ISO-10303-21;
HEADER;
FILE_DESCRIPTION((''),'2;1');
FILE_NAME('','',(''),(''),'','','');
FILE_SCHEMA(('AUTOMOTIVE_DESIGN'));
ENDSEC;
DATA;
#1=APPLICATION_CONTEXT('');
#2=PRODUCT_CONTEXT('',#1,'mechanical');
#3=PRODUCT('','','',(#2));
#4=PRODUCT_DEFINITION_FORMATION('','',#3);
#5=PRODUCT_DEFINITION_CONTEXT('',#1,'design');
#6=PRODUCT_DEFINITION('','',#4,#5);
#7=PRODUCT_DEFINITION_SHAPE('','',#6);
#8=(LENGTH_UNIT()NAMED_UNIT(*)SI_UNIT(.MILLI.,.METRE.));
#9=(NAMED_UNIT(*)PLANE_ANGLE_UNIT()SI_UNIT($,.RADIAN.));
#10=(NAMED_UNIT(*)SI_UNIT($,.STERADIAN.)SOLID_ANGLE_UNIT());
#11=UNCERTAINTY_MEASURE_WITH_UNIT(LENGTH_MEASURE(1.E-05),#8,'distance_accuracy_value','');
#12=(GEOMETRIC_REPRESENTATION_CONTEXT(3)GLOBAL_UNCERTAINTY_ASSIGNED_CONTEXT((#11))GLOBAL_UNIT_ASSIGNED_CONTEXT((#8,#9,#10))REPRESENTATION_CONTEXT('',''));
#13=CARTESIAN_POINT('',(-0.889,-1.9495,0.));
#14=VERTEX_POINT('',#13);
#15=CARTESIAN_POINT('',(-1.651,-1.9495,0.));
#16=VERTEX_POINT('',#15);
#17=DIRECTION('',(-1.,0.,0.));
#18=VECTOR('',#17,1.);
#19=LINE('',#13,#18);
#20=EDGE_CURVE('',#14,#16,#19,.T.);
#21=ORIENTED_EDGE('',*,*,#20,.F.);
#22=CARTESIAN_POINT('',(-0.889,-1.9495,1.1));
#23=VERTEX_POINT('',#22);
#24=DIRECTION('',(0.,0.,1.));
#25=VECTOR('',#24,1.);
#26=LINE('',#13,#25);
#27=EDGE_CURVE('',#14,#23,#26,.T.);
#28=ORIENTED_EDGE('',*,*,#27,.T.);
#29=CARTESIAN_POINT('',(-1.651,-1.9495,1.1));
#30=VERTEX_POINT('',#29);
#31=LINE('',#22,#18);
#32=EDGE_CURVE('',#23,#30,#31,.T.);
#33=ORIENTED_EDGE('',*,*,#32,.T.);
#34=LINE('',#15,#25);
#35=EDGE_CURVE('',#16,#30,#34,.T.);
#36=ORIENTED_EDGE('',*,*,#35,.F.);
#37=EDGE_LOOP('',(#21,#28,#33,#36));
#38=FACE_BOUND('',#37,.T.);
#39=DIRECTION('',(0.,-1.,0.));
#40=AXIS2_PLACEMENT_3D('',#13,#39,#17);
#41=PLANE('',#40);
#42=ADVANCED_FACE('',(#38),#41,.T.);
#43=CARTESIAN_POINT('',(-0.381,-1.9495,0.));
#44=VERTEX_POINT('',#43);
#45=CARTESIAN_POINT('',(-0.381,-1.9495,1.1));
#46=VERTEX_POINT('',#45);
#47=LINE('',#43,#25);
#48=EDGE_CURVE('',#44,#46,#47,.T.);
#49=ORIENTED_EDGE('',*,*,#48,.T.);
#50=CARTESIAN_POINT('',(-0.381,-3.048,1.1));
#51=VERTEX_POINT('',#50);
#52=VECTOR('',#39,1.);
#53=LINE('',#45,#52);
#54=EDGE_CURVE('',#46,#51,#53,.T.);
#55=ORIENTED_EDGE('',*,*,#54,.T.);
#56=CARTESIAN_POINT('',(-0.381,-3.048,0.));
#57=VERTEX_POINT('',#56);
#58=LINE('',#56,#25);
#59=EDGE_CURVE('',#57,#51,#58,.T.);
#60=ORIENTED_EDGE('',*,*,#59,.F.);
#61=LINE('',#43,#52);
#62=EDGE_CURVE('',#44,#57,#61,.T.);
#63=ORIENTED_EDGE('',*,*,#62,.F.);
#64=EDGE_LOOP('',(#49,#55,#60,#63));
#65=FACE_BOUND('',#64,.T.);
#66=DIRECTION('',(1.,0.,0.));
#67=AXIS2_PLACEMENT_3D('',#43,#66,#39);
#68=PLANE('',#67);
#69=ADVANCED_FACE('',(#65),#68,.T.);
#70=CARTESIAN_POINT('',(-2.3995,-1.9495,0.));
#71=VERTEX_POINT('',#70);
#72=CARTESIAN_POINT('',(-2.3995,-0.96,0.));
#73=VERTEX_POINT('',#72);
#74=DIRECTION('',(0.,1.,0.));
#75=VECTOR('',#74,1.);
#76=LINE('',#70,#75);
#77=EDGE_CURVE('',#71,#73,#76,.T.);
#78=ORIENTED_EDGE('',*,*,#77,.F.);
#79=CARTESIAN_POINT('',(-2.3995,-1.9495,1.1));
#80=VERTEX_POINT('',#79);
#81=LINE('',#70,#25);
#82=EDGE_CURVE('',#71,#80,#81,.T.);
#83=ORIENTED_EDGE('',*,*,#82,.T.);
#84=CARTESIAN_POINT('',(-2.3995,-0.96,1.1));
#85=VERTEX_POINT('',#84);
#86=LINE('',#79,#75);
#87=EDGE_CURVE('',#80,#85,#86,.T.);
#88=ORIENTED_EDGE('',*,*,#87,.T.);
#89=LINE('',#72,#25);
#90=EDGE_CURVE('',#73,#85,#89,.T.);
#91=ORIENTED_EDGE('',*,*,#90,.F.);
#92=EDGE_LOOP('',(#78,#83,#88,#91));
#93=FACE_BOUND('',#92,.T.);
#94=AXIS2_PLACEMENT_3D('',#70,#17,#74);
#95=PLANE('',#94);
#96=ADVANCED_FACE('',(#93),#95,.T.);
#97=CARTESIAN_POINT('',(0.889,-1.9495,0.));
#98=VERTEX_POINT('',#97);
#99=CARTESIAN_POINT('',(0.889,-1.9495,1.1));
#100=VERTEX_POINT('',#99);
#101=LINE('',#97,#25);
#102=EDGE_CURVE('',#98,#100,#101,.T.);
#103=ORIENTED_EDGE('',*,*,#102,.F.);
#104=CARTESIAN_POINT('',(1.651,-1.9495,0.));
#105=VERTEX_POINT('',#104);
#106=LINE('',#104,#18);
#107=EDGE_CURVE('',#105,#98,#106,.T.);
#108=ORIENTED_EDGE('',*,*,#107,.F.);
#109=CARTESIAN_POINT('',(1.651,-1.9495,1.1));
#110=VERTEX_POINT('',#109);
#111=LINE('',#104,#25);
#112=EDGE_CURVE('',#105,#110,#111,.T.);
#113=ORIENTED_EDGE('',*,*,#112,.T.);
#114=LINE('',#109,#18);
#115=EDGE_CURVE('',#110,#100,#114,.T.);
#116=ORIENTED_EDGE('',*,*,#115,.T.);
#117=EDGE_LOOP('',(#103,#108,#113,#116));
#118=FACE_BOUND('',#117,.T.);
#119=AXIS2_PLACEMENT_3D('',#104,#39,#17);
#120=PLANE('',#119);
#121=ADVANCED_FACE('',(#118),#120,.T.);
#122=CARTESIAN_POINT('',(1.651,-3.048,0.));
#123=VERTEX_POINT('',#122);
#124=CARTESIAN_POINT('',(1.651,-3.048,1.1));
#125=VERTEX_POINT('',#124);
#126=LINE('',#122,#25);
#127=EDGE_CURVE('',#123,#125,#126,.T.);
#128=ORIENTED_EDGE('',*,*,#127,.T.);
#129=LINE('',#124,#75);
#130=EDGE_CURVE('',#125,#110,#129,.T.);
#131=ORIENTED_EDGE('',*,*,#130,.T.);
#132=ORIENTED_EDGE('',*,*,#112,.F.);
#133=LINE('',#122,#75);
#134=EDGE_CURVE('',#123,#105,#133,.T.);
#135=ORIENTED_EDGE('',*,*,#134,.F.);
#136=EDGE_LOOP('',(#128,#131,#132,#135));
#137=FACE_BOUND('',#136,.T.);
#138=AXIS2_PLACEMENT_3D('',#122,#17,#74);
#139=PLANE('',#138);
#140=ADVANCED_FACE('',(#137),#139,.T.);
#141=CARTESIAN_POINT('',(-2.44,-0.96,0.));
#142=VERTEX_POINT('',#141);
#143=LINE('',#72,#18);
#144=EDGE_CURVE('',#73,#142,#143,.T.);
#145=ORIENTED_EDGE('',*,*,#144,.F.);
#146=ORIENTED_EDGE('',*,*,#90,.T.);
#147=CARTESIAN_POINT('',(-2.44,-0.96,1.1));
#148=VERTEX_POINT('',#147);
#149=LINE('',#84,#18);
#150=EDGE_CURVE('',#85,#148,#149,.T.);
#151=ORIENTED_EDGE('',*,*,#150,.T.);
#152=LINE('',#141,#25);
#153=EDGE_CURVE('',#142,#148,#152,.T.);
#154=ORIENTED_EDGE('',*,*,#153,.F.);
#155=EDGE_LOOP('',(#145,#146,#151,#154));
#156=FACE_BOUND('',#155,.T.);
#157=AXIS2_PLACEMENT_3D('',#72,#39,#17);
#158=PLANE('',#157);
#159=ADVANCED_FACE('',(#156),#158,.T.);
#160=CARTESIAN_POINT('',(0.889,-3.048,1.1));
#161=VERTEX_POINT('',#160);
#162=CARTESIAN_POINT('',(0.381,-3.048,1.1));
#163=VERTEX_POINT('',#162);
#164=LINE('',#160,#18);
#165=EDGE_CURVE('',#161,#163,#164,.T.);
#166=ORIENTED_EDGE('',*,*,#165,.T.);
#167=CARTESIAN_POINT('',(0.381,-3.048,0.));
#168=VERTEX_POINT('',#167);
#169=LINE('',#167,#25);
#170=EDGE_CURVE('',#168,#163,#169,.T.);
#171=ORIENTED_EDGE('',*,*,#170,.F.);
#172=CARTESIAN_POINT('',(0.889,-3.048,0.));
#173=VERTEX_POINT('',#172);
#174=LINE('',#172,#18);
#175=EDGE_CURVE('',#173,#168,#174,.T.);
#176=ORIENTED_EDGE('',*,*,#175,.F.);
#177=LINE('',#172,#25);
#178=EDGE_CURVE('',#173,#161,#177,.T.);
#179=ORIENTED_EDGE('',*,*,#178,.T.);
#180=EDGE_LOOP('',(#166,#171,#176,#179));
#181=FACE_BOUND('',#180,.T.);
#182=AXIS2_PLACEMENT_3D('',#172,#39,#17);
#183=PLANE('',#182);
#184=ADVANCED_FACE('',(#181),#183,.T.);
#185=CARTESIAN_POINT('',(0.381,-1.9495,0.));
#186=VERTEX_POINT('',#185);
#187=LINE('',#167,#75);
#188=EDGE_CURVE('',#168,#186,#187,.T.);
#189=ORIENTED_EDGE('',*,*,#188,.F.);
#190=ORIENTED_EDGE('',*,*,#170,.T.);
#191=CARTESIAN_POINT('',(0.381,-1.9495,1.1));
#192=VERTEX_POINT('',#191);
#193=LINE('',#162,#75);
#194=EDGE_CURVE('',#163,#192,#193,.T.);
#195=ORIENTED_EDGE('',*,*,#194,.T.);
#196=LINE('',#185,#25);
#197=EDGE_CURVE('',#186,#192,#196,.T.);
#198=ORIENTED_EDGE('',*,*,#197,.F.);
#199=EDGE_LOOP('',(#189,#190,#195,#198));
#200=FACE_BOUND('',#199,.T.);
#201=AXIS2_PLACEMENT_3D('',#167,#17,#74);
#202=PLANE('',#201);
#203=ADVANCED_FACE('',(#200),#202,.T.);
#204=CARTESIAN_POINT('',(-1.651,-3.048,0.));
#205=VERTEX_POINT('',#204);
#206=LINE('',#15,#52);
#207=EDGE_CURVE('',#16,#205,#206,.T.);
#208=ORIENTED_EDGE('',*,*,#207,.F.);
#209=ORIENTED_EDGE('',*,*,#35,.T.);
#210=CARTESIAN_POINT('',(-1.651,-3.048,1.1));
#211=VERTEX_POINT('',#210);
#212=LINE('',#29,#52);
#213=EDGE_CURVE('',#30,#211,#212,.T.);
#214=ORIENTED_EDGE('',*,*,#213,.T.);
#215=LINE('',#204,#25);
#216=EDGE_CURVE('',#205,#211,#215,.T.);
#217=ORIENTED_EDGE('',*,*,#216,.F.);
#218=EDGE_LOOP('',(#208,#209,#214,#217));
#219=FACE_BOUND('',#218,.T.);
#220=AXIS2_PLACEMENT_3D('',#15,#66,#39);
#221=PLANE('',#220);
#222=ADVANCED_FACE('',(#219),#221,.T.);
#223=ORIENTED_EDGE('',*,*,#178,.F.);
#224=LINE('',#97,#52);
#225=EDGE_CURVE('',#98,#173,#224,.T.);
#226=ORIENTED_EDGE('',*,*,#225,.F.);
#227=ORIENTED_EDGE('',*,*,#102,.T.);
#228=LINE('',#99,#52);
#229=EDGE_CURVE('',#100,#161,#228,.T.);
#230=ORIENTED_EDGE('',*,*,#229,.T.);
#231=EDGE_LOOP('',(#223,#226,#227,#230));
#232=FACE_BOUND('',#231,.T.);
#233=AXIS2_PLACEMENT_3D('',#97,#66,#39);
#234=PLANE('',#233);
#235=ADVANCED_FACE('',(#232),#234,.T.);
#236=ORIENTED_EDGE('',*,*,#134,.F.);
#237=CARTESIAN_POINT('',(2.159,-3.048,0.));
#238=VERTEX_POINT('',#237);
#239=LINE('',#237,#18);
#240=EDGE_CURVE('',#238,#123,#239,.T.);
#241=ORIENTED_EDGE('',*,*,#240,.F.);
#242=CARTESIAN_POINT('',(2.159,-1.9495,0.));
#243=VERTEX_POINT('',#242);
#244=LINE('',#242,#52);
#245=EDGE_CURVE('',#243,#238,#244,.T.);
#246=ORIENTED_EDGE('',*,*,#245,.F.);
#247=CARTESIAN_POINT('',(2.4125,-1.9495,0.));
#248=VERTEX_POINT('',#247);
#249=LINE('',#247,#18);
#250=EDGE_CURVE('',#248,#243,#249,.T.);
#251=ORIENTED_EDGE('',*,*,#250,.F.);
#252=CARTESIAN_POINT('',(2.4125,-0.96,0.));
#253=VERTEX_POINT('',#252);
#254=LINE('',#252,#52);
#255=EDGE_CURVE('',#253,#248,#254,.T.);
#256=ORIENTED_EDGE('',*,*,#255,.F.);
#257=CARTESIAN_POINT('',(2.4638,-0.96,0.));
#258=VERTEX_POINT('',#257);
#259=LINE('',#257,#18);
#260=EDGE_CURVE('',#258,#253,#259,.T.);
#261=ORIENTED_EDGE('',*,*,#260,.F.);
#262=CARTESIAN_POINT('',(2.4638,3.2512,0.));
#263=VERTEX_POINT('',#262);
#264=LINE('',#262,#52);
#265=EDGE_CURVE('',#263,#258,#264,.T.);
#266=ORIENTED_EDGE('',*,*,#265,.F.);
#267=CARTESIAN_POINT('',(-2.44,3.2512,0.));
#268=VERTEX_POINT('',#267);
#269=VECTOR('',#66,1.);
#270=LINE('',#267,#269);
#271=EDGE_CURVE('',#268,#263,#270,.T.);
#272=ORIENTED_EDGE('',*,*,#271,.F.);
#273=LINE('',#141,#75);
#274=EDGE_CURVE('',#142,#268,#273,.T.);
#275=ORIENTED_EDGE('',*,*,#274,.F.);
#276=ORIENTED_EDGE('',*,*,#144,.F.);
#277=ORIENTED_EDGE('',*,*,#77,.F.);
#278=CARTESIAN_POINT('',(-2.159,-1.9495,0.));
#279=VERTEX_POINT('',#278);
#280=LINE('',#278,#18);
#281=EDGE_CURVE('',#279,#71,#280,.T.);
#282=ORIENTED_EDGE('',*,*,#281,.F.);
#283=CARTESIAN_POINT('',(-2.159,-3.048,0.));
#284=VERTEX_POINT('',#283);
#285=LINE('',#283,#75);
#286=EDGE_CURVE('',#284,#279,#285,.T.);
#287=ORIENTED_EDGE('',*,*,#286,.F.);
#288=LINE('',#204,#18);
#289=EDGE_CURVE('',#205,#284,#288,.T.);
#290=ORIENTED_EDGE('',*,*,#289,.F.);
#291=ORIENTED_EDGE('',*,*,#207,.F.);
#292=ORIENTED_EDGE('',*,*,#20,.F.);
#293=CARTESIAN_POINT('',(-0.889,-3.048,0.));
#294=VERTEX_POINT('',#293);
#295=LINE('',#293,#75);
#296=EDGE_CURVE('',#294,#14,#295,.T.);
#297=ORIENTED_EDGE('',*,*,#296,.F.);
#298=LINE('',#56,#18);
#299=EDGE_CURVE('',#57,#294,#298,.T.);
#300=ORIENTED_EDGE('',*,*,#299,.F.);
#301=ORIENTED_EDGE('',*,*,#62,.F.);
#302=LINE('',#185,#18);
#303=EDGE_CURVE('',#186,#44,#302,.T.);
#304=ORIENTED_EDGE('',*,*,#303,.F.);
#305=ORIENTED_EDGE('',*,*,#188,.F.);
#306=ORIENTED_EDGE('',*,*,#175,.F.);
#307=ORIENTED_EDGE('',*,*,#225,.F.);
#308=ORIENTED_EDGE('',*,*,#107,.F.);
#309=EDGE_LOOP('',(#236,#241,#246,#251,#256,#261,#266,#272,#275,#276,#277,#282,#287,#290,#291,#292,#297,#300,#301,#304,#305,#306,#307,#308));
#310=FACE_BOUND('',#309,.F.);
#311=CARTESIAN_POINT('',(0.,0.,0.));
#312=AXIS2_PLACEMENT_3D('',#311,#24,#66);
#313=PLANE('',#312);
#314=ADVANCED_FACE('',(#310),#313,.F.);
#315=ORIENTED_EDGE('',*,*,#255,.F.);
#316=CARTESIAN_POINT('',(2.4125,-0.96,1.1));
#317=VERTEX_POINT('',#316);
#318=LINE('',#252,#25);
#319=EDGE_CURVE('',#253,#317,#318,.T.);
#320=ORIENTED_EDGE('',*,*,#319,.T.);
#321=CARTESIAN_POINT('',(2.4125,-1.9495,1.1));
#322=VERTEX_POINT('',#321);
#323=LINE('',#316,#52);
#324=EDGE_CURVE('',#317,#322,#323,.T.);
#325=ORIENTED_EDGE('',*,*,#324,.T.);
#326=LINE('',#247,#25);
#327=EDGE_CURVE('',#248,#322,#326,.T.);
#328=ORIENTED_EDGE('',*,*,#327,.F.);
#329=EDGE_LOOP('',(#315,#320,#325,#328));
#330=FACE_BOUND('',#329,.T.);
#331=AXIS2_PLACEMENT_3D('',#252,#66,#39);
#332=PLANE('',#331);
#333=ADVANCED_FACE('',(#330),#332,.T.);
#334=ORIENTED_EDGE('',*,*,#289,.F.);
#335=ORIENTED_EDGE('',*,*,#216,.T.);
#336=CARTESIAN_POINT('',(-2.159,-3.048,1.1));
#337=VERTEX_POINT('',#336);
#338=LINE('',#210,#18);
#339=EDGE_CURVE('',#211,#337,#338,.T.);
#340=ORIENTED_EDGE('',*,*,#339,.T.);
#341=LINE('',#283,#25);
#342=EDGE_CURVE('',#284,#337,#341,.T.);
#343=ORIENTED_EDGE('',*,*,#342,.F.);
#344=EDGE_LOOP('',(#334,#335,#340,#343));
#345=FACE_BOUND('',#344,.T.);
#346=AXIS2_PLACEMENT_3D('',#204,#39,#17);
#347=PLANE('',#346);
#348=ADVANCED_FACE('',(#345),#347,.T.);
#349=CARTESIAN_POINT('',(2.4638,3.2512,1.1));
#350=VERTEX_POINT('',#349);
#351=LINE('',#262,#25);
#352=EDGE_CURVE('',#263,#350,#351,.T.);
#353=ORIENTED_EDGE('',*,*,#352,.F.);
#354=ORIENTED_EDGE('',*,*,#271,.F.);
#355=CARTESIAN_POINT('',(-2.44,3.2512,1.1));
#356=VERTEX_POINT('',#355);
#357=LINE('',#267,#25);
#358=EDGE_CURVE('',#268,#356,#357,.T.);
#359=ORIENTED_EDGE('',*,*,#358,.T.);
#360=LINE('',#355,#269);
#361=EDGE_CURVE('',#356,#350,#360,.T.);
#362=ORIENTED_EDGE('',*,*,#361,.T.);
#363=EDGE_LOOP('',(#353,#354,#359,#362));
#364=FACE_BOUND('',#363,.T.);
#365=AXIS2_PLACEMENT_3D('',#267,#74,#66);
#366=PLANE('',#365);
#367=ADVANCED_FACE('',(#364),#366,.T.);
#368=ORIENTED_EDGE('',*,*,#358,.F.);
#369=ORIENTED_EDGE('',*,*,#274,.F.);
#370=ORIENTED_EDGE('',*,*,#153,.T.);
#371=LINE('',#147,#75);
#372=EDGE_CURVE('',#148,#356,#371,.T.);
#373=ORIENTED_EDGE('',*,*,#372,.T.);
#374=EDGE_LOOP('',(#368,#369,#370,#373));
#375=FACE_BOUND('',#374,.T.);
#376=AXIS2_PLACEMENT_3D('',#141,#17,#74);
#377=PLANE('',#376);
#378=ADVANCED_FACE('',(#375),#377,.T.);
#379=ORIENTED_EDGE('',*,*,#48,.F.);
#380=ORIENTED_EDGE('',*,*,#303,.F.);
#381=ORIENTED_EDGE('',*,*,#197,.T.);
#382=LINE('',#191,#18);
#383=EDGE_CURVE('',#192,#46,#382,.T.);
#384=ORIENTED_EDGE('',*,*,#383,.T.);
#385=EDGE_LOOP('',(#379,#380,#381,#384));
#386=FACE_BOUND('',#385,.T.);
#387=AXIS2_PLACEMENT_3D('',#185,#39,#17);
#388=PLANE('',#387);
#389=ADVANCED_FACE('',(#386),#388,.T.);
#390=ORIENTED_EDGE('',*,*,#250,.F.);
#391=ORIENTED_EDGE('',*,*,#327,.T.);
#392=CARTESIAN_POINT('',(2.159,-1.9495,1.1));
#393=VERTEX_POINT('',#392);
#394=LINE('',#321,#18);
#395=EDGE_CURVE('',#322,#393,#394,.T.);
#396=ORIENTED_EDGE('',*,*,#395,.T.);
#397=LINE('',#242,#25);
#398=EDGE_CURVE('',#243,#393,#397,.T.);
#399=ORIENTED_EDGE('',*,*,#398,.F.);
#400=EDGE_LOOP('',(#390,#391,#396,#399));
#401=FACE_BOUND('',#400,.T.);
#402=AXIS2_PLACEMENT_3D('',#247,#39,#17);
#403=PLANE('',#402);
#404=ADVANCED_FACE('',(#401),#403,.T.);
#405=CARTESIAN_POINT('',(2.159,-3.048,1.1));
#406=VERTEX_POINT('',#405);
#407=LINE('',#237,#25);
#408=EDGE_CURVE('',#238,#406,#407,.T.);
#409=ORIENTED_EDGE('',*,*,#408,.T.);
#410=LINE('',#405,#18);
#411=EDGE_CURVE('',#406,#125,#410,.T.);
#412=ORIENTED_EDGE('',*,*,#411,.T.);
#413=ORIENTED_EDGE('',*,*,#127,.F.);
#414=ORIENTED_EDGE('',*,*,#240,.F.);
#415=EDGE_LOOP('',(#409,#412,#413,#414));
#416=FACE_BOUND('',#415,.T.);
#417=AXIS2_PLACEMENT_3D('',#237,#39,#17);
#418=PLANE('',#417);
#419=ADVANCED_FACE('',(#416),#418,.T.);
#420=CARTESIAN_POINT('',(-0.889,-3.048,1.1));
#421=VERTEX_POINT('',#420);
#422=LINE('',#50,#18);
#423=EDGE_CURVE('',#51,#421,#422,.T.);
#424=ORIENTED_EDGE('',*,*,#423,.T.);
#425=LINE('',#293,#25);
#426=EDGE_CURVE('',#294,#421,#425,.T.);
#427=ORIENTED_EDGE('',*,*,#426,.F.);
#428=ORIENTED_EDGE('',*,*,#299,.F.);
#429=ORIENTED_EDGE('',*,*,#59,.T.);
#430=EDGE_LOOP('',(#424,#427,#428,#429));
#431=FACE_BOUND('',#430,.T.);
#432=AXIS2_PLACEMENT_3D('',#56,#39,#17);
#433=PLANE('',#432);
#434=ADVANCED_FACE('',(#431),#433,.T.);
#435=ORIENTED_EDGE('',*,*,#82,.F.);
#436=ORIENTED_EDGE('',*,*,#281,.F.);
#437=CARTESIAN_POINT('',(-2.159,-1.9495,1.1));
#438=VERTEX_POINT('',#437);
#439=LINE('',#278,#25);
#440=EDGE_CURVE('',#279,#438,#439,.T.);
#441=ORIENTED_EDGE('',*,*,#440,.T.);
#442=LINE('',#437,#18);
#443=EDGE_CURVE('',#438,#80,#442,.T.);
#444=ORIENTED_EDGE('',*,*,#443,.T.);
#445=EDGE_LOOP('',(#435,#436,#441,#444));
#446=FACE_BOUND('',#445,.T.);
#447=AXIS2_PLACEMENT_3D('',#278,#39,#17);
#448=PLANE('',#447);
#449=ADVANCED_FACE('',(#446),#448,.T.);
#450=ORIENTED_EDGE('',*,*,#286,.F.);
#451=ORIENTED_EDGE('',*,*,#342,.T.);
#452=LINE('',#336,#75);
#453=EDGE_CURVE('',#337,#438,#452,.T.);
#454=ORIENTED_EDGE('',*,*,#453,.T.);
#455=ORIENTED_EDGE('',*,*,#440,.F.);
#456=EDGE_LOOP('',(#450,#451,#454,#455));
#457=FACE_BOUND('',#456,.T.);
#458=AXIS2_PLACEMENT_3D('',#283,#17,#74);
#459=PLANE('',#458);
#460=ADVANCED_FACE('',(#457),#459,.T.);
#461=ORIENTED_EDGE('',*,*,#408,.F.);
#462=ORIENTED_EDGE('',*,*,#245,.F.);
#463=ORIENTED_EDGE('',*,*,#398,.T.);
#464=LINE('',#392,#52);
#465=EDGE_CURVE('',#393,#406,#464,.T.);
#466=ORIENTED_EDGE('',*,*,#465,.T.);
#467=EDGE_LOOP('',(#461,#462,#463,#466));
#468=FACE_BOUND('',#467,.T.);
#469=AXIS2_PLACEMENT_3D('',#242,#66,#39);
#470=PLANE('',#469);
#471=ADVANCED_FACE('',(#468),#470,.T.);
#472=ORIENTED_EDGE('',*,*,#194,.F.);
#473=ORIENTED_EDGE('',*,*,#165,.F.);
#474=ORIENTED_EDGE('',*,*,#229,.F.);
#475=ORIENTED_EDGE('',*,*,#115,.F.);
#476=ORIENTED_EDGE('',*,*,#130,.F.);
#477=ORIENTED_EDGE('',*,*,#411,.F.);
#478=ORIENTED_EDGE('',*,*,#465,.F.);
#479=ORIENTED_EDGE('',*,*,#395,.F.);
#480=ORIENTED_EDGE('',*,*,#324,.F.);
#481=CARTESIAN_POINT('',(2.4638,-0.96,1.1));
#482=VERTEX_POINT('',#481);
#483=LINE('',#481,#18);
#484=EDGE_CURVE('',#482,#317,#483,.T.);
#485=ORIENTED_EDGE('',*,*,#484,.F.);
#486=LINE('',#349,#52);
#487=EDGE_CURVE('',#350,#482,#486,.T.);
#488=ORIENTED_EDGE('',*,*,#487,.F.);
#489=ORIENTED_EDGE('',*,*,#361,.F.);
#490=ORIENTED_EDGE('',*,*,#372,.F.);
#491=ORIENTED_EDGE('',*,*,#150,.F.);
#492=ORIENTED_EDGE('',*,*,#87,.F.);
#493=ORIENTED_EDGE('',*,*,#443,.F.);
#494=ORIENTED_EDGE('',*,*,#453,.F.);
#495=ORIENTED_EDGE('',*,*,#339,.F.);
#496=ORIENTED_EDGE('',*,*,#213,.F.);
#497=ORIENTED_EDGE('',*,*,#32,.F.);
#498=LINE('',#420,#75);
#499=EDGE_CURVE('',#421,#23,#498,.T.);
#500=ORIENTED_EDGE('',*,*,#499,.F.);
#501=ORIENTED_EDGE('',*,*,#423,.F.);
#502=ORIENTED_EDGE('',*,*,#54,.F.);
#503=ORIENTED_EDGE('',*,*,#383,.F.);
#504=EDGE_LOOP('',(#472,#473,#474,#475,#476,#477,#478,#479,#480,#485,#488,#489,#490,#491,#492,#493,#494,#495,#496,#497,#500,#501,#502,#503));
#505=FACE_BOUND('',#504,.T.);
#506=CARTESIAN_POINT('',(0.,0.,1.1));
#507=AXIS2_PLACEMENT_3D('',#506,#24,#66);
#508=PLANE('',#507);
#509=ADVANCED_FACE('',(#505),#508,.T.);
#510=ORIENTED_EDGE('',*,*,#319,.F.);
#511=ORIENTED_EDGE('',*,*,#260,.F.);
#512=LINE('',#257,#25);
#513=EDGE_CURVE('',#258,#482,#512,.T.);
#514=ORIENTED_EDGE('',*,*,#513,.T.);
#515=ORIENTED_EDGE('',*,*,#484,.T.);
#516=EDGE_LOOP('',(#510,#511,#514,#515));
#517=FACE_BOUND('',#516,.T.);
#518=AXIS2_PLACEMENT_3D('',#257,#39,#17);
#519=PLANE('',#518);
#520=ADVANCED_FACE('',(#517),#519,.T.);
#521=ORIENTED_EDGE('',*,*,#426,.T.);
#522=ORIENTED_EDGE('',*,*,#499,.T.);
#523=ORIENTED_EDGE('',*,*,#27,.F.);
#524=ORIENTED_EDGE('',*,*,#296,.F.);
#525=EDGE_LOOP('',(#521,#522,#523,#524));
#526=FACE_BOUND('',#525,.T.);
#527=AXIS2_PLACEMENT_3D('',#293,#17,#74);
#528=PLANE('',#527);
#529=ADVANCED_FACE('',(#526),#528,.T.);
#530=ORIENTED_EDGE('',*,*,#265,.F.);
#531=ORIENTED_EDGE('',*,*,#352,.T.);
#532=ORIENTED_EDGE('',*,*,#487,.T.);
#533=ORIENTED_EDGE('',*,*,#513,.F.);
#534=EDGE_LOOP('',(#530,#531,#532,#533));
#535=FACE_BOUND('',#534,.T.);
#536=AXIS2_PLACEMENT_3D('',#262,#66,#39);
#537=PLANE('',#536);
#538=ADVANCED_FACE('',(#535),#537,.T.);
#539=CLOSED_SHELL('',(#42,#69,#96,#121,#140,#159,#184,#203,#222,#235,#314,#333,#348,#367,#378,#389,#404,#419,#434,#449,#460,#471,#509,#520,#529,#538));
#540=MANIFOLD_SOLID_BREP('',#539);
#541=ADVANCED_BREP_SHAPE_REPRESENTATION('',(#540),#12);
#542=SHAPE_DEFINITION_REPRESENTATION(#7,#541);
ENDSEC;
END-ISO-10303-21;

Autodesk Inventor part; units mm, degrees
ref_plane "YZ Plane" through (0, 0, 0) normal (1, 0, 0) x (0, 1, 0)
ref_plane "XZ Plane" through (0, 0, 0) normal (0, 1, 0) x (-1, 0, 0)
ref_plane "XY Plane" through (0, 0, 0) normal (0, 0, 1) x (1, 0, 0)
sketch "SOT669, PSMN7R0-60YS,115_237" plane through (0, 0, 0) normal (0, 0, 1) x (1, 0, 0)
  line L0 (2.4638, -0.96) -> (2.4125, -0.96)
  line L1 (2.4125, -0.96) -> (2.4125, -1.9495)
  line L2 (2.4125, -1.9495) -> (2.159, -1.9495)
  line L3 (2.159, -1.9495) -> (2.159, -3.048)
  line L4 (2.159, -3.048) -> (1.651, -3.048)
  line L5 (1.651, -3.048) -> (1.651, -1.9495)
  line L6 (1.651, -1.9495) -> (0.889, -1.9495)
  line L7 (0.889, -1.9495) -> (0.889, -3.048)
  line L8 (0.889, -3.048) -> (0.381, -3.048)
  line L9 (0.381, -3.048) -> (0.381, -1.9495)
  line L10 (0.381, -1.9495) -> (-0.381, -1.9495)
  line L11 (-0.381, -1.9495) -> (-0.381, -3.048)
  line L12 (-0.381, -3.048) -> (-0.889, -3.048)
  line L13 (-0.889, -3.048) -> (-0.889, -1.9495)
  line L14 (-0.889, -1.9495) -> (-1.651, -1.9495)
  line L15 (-1.651, -1.9495) -> (-1.651, -3.048)
  line L16 (-1.651, -3.048) -> (-2.159, -3.048)
  line L17 (-2.159, -3.048) -> (-2.159, -1.9495)
  line L18 (-2.159, -1.9495) -> (-2.3995, -1.9495)
  line L19 (-2.3995, -1.9495) -> (-2.3995, -0.96)
  line L20 (-2.3995, -0.96) -> (-2.44, -0.96)
  line L21 (-2.44, -0.96) -> (-2.44, 3.2512)
  line L22 (-2.44, 3.2512) -> (2.4638, 3.2512)
  line L23 (2.4638, 3.2512) -> (2.4638, -0.96)
extrude "Extrusion1" add sketch "SOT669, PSMN7R0-60YS,115_237" along normal blind 1.1
properties part number "PSMN7R0-60YS,115"
